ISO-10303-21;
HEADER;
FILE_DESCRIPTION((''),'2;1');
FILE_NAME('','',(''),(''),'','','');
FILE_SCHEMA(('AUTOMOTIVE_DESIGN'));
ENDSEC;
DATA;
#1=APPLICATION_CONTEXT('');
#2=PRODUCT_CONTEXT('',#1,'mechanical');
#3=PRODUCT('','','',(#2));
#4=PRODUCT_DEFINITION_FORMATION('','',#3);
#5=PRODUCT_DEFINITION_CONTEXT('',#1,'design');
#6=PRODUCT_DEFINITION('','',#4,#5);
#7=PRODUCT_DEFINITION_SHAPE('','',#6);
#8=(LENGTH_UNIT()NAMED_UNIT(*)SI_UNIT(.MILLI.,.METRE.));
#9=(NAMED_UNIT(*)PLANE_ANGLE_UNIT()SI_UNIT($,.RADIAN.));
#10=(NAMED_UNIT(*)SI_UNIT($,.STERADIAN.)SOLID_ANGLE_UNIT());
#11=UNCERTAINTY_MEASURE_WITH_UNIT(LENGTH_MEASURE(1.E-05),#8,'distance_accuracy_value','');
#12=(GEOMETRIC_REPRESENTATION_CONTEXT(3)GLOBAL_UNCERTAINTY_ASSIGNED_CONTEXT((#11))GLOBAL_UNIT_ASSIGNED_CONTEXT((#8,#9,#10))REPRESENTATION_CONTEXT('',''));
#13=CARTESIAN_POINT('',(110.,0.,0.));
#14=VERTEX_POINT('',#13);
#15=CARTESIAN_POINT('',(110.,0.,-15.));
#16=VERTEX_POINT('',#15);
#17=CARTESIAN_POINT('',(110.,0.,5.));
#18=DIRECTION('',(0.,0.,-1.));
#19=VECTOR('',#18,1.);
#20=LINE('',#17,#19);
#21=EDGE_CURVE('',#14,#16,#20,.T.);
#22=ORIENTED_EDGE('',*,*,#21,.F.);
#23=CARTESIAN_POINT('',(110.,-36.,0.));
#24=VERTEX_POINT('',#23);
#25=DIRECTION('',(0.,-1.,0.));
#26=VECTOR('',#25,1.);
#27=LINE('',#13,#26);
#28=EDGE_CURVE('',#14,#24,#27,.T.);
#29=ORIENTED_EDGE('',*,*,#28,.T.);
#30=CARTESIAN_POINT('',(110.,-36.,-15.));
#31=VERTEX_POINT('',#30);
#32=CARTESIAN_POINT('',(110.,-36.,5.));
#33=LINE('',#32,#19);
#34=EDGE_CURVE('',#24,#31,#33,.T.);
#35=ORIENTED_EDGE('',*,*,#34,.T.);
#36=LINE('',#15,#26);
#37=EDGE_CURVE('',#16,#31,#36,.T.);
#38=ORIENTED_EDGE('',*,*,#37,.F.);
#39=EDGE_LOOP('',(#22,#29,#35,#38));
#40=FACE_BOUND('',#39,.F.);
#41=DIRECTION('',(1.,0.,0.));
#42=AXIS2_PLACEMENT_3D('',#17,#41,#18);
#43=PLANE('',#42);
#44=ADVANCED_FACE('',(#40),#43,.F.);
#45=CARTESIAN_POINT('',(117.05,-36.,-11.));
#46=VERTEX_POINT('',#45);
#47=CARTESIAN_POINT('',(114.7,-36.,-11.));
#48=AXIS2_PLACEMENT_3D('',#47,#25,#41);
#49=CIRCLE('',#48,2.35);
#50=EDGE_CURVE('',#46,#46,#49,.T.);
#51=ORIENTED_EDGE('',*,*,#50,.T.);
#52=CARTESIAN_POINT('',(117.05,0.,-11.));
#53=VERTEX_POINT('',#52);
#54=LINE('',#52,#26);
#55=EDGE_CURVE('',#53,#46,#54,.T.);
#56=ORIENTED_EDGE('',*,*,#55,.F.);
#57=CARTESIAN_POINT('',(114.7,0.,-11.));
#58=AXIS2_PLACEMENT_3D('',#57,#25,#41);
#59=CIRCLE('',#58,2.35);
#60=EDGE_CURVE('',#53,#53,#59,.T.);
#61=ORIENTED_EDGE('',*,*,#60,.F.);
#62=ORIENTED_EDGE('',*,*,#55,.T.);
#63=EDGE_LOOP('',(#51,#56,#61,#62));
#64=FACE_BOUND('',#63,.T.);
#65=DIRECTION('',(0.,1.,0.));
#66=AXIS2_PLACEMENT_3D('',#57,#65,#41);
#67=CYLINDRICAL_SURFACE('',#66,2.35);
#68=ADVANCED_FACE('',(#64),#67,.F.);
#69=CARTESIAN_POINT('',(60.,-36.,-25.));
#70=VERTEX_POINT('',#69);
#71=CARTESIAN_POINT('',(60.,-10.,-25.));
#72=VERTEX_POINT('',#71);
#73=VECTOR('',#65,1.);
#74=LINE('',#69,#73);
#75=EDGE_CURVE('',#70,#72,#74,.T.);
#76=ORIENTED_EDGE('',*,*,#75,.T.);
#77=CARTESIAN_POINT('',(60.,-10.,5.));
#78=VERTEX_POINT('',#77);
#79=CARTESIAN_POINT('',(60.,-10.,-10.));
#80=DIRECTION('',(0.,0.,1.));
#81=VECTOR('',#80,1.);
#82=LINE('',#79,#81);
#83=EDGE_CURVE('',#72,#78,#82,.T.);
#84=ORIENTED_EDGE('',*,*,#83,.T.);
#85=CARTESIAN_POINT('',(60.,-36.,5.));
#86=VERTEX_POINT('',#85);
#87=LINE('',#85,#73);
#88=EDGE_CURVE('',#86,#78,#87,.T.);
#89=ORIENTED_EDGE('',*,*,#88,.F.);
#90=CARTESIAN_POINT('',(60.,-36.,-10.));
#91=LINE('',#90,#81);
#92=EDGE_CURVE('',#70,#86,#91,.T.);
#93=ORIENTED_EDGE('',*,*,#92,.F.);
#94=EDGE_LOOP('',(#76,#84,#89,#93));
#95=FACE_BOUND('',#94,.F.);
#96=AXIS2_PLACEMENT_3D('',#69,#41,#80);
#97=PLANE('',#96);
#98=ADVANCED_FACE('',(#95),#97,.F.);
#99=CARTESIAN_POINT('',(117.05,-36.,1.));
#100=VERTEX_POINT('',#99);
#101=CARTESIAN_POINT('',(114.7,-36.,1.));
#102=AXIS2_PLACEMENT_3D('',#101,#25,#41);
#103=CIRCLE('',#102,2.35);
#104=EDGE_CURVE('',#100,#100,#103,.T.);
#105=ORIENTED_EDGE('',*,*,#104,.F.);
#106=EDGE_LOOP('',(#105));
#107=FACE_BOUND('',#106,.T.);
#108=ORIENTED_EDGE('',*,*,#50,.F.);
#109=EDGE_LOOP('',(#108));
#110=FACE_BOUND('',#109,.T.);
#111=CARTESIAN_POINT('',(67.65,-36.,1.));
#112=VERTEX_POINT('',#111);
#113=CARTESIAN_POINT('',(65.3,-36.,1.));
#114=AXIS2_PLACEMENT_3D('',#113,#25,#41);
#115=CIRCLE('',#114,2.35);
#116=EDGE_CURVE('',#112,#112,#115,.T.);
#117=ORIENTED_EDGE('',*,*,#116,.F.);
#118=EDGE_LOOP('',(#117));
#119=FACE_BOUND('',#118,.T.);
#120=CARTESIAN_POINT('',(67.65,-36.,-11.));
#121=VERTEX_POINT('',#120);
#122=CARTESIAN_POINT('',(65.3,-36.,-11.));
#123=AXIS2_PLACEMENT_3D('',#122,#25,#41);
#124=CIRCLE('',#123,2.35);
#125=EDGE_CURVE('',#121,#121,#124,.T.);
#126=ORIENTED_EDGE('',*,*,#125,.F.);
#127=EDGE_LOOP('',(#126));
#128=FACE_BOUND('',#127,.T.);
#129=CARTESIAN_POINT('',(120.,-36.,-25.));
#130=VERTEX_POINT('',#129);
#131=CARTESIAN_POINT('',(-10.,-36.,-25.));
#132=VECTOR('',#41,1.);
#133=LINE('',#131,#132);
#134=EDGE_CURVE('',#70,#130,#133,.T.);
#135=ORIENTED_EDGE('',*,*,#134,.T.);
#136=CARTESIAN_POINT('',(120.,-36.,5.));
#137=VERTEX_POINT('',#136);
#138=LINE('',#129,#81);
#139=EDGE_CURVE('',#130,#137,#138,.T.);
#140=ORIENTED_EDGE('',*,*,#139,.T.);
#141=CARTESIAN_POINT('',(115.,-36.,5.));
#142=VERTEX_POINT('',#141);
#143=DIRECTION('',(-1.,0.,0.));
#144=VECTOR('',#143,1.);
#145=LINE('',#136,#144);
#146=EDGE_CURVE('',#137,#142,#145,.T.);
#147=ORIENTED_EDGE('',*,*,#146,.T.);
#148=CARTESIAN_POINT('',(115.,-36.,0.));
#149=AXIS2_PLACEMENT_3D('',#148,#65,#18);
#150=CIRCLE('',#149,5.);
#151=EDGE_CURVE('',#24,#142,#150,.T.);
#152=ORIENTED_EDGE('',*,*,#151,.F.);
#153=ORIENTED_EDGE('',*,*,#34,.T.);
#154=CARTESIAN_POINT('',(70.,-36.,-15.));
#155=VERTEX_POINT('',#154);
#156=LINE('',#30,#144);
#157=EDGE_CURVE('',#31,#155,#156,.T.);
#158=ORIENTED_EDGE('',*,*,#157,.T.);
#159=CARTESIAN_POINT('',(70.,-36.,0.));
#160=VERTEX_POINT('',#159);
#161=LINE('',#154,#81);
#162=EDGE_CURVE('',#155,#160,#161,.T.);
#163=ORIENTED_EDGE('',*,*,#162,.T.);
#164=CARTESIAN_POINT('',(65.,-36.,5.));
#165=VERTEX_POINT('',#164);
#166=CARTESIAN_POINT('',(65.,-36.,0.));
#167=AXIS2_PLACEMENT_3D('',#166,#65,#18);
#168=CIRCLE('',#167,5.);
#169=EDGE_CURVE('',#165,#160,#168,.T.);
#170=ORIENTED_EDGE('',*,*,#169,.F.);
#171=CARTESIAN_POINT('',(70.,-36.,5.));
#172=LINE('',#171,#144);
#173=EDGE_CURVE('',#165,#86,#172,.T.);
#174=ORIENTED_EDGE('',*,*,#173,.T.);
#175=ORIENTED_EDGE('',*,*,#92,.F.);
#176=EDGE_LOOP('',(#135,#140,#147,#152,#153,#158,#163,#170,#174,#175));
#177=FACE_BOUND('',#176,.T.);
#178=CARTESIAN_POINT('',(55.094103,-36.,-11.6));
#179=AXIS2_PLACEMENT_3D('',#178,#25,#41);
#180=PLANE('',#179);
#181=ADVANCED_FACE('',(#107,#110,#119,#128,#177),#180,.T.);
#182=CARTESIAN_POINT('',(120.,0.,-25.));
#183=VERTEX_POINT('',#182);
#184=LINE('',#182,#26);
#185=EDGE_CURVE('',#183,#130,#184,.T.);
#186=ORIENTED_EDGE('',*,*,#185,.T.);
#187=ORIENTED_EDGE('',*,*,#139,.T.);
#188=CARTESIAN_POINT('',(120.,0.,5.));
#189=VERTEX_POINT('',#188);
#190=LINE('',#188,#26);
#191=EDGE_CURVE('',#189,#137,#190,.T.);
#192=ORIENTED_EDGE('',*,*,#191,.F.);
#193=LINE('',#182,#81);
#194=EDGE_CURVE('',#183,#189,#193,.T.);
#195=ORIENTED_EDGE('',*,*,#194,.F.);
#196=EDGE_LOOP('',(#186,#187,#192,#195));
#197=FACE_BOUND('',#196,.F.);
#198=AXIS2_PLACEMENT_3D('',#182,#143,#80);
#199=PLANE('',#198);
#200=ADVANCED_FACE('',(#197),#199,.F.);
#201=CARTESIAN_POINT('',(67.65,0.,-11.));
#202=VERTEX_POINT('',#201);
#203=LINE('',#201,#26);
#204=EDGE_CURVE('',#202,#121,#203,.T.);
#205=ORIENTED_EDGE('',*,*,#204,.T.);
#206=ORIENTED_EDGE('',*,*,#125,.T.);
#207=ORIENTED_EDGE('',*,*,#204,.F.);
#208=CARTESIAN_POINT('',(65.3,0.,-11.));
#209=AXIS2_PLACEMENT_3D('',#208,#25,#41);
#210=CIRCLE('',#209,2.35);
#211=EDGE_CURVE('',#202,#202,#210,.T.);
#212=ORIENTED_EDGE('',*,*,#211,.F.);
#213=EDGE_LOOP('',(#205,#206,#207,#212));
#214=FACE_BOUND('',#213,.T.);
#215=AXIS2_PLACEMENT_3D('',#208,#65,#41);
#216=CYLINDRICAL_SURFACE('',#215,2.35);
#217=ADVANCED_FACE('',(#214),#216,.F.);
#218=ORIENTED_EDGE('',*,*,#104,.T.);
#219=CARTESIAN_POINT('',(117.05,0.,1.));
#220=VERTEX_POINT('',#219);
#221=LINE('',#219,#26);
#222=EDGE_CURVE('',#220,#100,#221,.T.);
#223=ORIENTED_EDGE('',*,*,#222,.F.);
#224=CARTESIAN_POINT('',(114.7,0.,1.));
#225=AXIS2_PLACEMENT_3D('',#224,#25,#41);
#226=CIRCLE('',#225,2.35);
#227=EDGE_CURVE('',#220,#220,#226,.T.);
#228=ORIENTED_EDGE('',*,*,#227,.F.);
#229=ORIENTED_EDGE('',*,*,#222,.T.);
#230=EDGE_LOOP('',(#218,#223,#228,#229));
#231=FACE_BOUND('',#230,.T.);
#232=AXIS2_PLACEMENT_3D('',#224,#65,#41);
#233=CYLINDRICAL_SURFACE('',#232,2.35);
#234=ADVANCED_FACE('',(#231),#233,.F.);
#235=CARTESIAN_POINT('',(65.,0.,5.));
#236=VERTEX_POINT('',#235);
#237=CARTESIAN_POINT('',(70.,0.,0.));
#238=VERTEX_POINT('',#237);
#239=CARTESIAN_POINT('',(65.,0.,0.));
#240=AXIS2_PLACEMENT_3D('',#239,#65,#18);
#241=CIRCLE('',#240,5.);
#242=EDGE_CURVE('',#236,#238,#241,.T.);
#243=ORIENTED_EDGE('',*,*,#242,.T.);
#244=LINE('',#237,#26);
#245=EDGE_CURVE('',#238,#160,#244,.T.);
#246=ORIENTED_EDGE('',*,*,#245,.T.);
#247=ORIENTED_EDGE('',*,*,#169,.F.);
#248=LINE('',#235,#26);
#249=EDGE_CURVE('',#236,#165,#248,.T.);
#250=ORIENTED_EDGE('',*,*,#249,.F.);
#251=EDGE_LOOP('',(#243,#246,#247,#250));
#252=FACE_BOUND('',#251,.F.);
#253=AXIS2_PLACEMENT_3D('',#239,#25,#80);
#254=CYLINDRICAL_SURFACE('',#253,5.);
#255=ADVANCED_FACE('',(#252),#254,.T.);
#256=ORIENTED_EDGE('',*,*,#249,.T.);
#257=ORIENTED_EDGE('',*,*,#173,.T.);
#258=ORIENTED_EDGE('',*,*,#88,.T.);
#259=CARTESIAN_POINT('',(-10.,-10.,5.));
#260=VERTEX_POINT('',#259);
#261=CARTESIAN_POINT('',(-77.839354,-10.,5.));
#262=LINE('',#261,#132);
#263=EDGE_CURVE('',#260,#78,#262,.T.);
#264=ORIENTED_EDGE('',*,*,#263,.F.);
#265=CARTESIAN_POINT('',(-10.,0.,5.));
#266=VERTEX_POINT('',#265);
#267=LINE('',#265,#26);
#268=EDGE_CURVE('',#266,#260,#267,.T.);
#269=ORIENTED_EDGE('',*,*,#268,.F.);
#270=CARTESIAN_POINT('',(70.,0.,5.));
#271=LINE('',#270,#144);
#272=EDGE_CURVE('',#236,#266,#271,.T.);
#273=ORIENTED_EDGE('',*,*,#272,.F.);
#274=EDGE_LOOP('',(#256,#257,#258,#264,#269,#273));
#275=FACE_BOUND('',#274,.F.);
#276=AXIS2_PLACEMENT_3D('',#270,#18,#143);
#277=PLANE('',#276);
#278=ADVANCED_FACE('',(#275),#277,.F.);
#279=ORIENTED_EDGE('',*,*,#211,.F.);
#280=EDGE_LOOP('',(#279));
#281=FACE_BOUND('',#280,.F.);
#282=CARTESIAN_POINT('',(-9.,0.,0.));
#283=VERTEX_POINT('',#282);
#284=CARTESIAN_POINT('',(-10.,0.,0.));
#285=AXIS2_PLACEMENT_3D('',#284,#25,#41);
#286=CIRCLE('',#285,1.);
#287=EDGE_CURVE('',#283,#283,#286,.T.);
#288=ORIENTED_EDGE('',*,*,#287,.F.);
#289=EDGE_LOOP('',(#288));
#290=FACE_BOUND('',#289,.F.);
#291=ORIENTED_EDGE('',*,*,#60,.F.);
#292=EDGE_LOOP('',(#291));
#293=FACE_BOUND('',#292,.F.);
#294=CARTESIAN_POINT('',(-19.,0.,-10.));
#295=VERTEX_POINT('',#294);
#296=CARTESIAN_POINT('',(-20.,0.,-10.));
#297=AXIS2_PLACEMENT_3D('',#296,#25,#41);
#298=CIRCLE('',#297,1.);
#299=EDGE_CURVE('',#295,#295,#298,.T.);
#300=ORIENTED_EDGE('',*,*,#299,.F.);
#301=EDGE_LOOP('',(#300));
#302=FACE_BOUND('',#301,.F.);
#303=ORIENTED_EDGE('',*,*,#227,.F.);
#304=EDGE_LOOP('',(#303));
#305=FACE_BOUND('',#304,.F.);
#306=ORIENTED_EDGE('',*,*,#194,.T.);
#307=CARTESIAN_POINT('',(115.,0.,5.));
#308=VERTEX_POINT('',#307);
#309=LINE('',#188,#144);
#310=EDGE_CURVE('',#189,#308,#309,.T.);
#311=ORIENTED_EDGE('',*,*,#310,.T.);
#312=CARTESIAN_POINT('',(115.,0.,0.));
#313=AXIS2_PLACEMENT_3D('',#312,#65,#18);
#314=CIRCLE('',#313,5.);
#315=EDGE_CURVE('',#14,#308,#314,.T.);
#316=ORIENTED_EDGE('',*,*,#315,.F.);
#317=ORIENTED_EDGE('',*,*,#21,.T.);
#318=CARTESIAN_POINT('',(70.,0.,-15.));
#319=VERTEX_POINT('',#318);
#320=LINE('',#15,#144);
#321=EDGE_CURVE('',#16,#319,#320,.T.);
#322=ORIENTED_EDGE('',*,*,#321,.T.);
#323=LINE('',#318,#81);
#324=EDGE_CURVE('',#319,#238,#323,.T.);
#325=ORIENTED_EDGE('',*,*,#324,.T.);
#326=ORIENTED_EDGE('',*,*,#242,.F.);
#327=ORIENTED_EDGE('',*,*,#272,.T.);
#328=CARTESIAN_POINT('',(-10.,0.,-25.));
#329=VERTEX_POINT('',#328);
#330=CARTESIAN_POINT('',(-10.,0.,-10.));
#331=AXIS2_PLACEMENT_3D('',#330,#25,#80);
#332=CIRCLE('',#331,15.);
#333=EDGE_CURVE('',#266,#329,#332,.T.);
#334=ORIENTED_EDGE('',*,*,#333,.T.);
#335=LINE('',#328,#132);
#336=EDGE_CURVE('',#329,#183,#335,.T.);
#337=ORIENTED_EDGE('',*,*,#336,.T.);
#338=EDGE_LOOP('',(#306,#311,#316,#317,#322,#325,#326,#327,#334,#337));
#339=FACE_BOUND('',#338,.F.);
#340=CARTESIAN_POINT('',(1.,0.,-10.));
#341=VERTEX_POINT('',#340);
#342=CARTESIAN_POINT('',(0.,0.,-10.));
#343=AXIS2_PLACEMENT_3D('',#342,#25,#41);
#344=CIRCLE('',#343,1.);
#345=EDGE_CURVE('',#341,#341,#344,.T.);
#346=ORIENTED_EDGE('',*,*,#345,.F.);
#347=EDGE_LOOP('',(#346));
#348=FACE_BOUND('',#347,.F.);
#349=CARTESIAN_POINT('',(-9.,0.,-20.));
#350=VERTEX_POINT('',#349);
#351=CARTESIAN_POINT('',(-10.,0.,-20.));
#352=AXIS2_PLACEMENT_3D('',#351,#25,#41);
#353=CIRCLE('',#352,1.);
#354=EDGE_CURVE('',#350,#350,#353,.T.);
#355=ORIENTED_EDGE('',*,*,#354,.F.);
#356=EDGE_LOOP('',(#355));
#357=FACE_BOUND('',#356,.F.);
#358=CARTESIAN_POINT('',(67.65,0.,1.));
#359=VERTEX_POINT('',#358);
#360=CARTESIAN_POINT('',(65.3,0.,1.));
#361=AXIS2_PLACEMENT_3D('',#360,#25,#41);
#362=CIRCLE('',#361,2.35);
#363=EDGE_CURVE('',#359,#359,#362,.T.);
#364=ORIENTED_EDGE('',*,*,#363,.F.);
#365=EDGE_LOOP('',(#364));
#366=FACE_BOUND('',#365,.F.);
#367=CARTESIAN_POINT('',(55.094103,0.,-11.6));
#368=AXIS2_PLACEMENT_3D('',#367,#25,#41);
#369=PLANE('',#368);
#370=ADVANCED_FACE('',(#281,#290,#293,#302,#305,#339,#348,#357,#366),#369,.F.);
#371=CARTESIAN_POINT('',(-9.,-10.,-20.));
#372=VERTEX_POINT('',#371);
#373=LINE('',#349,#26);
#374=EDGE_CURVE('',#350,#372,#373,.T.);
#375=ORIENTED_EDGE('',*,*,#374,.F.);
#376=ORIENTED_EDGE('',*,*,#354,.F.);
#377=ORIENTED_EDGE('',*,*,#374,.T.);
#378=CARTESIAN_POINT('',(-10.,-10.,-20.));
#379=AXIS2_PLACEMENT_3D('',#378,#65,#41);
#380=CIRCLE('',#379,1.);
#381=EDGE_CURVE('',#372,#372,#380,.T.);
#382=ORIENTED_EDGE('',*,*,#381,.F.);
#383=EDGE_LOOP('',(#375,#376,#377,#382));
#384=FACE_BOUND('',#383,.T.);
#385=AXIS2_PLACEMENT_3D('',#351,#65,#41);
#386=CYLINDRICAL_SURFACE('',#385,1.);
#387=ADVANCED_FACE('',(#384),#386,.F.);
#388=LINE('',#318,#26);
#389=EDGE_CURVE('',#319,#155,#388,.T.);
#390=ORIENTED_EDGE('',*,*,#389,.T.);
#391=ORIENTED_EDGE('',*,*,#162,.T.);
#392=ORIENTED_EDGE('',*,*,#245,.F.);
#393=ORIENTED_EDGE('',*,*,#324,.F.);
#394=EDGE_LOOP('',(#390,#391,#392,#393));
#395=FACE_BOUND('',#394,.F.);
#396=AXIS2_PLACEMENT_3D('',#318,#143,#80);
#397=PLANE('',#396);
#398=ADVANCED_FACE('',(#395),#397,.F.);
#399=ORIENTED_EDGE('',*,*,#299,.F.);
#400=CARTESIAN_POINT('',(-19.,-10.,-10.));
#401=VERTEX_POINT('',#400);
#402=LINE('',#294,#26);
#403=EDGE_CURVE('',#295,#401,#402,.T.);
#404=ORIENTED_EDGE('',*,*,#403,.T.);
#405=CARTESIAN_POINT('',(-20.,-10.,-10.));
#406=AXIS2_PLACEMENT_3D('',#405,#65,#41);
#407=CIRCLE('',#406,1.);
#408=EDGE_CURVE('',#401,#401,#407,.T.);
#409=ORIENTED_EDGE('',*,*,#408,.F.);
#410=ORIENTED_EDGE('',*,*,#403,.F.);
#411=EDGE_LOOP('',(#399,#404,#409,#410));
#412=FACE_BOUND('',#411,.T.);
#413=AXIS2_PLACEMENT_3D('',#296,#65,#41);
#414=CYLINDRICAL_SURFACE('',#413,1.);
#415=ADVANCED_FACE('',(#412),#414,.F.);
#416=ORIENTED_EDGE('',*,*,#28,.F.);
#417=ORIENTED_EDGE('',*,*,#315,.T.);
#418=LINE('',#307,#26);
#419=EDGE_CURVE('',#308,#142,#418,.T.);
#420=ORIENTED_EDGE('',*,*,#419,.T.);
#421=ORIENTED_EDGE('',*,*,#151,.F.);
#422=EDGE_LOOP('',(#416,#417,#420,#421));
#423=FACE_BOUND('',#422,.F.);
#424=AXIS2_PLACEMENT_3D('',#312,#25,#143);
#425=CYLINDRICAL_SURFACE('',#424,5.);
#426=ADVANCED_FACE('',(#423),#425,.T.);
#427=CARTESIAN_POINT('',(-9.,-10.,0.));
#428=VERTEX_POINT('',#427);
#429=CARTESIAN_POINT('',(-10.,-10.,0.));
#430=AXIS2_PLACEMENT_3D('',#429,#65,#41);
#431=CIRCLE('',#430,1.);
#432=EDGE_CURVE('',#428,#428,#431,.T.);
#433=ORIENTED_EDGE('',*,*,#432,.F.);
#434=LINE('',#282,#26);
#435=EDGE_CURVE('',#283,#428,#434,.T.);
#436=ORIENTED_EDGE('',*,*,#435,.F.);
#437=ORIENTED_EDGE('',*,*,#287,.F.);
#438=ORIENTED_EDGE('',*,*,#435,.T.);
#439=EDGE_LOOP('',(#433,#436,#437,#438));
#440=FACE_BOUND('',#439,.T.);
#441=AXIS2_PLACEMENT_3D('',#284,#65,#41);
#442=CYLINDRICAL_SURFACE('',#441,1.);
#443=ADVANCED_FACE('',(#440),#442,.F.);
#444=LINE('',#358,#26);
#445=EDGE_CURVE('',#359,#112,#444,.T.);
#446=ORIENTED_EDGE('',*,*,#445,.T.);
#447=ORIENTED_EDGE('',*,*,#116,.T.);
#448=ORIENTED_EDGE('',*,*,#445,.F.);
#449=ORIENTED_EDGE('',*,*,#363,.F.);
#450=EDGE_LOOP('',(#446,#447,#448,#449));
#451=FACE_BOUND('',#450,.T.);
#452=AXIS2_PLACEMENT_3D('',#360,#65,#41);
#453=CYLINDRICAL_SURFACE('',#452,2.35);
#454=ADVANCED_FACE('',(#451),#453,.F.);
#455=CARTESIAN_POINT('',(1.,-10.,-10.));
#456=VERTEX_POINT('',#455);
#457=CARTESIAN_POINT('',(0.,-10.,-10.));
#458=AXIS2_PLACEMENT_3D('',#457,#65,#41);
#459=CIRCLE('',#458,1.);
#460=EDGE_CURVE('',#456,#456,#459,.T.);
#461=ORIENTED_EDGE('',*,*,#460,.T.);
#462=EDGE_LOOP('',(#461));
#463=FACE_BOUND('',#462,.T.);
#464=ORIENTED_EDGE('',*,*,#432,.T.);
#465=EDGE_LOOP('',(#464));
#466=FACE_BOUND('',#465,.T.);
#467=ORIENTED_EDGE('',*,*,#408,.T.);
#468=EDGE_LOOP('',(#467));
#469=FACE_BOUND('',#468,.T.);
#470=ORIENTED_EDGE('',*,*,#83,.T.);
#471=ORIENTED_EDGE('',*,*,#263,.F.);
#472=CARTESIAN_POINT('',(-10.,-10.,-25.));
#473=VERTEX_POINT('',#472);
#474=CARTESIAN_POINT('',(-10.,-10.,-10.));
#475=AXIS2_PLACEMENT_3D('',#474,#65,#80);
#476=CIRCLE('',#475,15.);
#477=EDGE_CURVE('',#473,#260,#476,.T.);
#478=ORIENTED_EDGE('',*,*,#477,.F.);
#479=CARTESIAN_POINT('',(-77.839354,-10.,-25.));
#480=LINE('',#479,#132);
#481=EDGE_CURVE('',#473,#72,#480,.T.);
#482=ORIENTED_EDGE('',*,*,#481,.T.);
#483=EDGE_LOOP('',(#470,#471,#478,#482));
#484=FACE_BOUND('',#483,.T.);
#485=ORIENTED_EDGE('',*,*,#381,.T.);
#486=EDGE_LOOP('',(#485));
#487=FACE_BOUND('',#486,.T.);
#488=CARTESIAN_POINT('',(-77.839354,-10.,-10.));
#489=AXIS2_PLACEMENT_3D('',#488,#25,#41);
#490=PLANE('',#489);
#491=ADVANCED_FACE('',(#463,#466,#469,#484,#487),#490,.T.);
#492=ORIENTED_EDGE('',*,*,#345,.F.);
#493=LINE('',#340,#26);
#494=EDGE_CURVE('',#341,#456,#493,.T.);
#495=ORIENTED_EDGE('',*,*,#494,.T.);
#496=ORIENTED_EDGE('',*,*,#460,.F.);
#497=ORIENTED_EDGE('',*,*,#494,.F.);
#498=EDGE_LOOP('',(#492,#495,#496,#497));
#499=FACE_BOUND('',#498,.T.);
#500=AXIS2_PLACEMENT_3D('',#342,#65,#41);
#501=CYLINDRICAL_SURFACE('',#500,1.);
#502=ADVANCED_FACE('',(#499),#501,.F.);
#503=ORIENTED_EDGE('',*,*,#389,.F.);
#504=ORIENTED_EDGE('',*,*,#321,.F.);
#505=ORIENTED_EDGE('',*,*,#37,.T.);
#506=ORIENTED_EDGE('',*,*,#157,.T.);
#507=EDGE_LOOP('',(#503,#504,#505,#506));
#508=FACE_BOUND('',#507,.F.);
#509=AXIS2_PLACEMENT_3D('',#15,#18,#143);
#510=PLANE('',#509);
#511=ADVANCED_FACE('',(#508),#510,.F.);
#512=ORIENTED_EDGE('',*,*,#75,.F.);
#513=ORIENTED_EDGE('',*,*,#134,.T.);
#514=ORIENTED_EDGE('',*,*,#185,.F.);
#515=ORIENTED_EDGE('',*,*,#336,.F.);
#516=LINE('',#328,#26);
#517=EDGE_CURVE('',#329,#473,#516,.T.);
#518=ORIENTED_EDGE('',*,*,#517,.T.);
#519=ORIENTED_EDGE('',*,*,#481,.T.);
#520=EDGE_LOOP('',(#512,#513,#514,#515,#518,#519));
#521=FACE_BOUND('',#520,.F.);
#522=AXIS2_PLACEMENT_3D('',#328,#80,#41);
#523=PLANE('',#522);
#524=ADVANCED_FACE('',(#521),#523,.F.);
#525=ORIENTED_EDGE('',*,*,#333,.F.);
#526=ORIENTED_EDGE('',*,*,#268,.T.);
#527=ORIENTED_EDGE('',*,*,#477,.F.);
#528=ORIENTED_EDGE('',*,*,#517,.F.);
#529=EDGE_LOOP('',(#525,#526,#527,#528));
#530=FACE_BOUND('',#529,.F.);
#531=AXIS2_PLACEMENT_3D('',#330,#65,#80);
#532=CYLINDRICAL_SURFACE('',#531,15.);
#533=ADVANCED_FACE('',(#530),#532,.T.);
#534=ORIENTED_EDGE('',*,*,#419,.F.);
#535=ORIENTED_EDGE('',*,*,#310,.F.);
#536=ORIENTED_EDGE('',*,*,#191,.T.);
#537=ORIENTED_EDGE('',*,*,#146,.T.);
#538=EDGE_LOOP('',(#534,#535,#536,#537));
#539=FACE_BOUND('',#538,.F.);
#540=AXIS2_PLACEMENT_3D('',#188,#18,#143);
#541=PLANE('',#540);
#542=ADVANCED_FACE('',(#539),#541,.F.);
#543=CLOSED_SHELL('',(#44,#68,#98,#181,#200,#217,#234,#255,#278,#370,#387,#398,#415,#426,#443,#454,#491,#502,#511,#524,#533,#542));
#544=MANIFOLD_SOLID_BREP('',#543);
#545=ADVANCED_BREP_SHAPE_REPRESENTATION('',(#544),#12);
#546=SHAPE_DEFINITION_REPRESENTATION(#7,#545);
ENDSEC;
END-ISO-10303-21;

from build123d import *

# Parameters (mm, degrees)
F0_R     = 1
F0_R_2   = 2.35
F1_DEPTH = 36
F2_W     = 275.678707
F2_H     = 30
F3_DEPTH = 26
F4_R     = 5


with BuildPart() as f1:
    # F0 (on Front) → F1 (new body)
    with BuildSketch(Plane.XZ):
        with BuildLine():
            Line((70, 5), (-10, 5))
            ThreePointArc((-10, 5), (-25, -10), (-10, -25))
            Line((-10, -25), (120, -25))
            Line((120, -25), (120, 5))
            Line((120, 5), (110, 5))
            Line((110, 5), (110, -15))
            Line((110, -15), (70, -15))
            Line((70, -15), (70, 5))
        make_face()
        with Locations((-10, -20)):
            Circle(F0_R, mode=Mode.SUBTRACT)
        with Locations((65.3, -11)):
            Circle(F0_R_2, mode=Mode.SUBTRACT)
        with Locations((114.7, -11)):
            Circle(F0_R_2, mode=Mode.SUBTRACT)
        with Locations((-20, -10)):
            Circle(F0_R, mode=Mode.SUBTRACT)
        with Locations((0, -10)):
            Circle(F0_R, mode=Mode.SUBTRACT)
        with Locations((-10, 0)):
            Circle(F0_R, mode=Mode.SUBTRACT)
        with Locations((65.3, 1)):
            Circle(F0_R_2, mode=Mode.SUBTRACT)
        with Locations((114.7, 1)):
            Circle(F0_R_2, mode=Mode.SUBTRACT)
    extrude(amount=F1_DEPTH)

    # F2 (on face) → F3 (cut)
    with BuildSketch(Plane.XZ.offset(36)):
        with Locations((-77.839354, -10)):
            Rectangle(F2_W, F2_H)
    extrude(amount=-F3_DEPTH, mode=Mode.SUBTRACT)

    # F4
    f4_edges = [f1.edges().sort_by_distance(p)[0] for p in [
        (110, -18, 5),
        (70, -18, 5),
    ]]
    fillet(f4_edges, radius=F4_R)


solid = f1.part
